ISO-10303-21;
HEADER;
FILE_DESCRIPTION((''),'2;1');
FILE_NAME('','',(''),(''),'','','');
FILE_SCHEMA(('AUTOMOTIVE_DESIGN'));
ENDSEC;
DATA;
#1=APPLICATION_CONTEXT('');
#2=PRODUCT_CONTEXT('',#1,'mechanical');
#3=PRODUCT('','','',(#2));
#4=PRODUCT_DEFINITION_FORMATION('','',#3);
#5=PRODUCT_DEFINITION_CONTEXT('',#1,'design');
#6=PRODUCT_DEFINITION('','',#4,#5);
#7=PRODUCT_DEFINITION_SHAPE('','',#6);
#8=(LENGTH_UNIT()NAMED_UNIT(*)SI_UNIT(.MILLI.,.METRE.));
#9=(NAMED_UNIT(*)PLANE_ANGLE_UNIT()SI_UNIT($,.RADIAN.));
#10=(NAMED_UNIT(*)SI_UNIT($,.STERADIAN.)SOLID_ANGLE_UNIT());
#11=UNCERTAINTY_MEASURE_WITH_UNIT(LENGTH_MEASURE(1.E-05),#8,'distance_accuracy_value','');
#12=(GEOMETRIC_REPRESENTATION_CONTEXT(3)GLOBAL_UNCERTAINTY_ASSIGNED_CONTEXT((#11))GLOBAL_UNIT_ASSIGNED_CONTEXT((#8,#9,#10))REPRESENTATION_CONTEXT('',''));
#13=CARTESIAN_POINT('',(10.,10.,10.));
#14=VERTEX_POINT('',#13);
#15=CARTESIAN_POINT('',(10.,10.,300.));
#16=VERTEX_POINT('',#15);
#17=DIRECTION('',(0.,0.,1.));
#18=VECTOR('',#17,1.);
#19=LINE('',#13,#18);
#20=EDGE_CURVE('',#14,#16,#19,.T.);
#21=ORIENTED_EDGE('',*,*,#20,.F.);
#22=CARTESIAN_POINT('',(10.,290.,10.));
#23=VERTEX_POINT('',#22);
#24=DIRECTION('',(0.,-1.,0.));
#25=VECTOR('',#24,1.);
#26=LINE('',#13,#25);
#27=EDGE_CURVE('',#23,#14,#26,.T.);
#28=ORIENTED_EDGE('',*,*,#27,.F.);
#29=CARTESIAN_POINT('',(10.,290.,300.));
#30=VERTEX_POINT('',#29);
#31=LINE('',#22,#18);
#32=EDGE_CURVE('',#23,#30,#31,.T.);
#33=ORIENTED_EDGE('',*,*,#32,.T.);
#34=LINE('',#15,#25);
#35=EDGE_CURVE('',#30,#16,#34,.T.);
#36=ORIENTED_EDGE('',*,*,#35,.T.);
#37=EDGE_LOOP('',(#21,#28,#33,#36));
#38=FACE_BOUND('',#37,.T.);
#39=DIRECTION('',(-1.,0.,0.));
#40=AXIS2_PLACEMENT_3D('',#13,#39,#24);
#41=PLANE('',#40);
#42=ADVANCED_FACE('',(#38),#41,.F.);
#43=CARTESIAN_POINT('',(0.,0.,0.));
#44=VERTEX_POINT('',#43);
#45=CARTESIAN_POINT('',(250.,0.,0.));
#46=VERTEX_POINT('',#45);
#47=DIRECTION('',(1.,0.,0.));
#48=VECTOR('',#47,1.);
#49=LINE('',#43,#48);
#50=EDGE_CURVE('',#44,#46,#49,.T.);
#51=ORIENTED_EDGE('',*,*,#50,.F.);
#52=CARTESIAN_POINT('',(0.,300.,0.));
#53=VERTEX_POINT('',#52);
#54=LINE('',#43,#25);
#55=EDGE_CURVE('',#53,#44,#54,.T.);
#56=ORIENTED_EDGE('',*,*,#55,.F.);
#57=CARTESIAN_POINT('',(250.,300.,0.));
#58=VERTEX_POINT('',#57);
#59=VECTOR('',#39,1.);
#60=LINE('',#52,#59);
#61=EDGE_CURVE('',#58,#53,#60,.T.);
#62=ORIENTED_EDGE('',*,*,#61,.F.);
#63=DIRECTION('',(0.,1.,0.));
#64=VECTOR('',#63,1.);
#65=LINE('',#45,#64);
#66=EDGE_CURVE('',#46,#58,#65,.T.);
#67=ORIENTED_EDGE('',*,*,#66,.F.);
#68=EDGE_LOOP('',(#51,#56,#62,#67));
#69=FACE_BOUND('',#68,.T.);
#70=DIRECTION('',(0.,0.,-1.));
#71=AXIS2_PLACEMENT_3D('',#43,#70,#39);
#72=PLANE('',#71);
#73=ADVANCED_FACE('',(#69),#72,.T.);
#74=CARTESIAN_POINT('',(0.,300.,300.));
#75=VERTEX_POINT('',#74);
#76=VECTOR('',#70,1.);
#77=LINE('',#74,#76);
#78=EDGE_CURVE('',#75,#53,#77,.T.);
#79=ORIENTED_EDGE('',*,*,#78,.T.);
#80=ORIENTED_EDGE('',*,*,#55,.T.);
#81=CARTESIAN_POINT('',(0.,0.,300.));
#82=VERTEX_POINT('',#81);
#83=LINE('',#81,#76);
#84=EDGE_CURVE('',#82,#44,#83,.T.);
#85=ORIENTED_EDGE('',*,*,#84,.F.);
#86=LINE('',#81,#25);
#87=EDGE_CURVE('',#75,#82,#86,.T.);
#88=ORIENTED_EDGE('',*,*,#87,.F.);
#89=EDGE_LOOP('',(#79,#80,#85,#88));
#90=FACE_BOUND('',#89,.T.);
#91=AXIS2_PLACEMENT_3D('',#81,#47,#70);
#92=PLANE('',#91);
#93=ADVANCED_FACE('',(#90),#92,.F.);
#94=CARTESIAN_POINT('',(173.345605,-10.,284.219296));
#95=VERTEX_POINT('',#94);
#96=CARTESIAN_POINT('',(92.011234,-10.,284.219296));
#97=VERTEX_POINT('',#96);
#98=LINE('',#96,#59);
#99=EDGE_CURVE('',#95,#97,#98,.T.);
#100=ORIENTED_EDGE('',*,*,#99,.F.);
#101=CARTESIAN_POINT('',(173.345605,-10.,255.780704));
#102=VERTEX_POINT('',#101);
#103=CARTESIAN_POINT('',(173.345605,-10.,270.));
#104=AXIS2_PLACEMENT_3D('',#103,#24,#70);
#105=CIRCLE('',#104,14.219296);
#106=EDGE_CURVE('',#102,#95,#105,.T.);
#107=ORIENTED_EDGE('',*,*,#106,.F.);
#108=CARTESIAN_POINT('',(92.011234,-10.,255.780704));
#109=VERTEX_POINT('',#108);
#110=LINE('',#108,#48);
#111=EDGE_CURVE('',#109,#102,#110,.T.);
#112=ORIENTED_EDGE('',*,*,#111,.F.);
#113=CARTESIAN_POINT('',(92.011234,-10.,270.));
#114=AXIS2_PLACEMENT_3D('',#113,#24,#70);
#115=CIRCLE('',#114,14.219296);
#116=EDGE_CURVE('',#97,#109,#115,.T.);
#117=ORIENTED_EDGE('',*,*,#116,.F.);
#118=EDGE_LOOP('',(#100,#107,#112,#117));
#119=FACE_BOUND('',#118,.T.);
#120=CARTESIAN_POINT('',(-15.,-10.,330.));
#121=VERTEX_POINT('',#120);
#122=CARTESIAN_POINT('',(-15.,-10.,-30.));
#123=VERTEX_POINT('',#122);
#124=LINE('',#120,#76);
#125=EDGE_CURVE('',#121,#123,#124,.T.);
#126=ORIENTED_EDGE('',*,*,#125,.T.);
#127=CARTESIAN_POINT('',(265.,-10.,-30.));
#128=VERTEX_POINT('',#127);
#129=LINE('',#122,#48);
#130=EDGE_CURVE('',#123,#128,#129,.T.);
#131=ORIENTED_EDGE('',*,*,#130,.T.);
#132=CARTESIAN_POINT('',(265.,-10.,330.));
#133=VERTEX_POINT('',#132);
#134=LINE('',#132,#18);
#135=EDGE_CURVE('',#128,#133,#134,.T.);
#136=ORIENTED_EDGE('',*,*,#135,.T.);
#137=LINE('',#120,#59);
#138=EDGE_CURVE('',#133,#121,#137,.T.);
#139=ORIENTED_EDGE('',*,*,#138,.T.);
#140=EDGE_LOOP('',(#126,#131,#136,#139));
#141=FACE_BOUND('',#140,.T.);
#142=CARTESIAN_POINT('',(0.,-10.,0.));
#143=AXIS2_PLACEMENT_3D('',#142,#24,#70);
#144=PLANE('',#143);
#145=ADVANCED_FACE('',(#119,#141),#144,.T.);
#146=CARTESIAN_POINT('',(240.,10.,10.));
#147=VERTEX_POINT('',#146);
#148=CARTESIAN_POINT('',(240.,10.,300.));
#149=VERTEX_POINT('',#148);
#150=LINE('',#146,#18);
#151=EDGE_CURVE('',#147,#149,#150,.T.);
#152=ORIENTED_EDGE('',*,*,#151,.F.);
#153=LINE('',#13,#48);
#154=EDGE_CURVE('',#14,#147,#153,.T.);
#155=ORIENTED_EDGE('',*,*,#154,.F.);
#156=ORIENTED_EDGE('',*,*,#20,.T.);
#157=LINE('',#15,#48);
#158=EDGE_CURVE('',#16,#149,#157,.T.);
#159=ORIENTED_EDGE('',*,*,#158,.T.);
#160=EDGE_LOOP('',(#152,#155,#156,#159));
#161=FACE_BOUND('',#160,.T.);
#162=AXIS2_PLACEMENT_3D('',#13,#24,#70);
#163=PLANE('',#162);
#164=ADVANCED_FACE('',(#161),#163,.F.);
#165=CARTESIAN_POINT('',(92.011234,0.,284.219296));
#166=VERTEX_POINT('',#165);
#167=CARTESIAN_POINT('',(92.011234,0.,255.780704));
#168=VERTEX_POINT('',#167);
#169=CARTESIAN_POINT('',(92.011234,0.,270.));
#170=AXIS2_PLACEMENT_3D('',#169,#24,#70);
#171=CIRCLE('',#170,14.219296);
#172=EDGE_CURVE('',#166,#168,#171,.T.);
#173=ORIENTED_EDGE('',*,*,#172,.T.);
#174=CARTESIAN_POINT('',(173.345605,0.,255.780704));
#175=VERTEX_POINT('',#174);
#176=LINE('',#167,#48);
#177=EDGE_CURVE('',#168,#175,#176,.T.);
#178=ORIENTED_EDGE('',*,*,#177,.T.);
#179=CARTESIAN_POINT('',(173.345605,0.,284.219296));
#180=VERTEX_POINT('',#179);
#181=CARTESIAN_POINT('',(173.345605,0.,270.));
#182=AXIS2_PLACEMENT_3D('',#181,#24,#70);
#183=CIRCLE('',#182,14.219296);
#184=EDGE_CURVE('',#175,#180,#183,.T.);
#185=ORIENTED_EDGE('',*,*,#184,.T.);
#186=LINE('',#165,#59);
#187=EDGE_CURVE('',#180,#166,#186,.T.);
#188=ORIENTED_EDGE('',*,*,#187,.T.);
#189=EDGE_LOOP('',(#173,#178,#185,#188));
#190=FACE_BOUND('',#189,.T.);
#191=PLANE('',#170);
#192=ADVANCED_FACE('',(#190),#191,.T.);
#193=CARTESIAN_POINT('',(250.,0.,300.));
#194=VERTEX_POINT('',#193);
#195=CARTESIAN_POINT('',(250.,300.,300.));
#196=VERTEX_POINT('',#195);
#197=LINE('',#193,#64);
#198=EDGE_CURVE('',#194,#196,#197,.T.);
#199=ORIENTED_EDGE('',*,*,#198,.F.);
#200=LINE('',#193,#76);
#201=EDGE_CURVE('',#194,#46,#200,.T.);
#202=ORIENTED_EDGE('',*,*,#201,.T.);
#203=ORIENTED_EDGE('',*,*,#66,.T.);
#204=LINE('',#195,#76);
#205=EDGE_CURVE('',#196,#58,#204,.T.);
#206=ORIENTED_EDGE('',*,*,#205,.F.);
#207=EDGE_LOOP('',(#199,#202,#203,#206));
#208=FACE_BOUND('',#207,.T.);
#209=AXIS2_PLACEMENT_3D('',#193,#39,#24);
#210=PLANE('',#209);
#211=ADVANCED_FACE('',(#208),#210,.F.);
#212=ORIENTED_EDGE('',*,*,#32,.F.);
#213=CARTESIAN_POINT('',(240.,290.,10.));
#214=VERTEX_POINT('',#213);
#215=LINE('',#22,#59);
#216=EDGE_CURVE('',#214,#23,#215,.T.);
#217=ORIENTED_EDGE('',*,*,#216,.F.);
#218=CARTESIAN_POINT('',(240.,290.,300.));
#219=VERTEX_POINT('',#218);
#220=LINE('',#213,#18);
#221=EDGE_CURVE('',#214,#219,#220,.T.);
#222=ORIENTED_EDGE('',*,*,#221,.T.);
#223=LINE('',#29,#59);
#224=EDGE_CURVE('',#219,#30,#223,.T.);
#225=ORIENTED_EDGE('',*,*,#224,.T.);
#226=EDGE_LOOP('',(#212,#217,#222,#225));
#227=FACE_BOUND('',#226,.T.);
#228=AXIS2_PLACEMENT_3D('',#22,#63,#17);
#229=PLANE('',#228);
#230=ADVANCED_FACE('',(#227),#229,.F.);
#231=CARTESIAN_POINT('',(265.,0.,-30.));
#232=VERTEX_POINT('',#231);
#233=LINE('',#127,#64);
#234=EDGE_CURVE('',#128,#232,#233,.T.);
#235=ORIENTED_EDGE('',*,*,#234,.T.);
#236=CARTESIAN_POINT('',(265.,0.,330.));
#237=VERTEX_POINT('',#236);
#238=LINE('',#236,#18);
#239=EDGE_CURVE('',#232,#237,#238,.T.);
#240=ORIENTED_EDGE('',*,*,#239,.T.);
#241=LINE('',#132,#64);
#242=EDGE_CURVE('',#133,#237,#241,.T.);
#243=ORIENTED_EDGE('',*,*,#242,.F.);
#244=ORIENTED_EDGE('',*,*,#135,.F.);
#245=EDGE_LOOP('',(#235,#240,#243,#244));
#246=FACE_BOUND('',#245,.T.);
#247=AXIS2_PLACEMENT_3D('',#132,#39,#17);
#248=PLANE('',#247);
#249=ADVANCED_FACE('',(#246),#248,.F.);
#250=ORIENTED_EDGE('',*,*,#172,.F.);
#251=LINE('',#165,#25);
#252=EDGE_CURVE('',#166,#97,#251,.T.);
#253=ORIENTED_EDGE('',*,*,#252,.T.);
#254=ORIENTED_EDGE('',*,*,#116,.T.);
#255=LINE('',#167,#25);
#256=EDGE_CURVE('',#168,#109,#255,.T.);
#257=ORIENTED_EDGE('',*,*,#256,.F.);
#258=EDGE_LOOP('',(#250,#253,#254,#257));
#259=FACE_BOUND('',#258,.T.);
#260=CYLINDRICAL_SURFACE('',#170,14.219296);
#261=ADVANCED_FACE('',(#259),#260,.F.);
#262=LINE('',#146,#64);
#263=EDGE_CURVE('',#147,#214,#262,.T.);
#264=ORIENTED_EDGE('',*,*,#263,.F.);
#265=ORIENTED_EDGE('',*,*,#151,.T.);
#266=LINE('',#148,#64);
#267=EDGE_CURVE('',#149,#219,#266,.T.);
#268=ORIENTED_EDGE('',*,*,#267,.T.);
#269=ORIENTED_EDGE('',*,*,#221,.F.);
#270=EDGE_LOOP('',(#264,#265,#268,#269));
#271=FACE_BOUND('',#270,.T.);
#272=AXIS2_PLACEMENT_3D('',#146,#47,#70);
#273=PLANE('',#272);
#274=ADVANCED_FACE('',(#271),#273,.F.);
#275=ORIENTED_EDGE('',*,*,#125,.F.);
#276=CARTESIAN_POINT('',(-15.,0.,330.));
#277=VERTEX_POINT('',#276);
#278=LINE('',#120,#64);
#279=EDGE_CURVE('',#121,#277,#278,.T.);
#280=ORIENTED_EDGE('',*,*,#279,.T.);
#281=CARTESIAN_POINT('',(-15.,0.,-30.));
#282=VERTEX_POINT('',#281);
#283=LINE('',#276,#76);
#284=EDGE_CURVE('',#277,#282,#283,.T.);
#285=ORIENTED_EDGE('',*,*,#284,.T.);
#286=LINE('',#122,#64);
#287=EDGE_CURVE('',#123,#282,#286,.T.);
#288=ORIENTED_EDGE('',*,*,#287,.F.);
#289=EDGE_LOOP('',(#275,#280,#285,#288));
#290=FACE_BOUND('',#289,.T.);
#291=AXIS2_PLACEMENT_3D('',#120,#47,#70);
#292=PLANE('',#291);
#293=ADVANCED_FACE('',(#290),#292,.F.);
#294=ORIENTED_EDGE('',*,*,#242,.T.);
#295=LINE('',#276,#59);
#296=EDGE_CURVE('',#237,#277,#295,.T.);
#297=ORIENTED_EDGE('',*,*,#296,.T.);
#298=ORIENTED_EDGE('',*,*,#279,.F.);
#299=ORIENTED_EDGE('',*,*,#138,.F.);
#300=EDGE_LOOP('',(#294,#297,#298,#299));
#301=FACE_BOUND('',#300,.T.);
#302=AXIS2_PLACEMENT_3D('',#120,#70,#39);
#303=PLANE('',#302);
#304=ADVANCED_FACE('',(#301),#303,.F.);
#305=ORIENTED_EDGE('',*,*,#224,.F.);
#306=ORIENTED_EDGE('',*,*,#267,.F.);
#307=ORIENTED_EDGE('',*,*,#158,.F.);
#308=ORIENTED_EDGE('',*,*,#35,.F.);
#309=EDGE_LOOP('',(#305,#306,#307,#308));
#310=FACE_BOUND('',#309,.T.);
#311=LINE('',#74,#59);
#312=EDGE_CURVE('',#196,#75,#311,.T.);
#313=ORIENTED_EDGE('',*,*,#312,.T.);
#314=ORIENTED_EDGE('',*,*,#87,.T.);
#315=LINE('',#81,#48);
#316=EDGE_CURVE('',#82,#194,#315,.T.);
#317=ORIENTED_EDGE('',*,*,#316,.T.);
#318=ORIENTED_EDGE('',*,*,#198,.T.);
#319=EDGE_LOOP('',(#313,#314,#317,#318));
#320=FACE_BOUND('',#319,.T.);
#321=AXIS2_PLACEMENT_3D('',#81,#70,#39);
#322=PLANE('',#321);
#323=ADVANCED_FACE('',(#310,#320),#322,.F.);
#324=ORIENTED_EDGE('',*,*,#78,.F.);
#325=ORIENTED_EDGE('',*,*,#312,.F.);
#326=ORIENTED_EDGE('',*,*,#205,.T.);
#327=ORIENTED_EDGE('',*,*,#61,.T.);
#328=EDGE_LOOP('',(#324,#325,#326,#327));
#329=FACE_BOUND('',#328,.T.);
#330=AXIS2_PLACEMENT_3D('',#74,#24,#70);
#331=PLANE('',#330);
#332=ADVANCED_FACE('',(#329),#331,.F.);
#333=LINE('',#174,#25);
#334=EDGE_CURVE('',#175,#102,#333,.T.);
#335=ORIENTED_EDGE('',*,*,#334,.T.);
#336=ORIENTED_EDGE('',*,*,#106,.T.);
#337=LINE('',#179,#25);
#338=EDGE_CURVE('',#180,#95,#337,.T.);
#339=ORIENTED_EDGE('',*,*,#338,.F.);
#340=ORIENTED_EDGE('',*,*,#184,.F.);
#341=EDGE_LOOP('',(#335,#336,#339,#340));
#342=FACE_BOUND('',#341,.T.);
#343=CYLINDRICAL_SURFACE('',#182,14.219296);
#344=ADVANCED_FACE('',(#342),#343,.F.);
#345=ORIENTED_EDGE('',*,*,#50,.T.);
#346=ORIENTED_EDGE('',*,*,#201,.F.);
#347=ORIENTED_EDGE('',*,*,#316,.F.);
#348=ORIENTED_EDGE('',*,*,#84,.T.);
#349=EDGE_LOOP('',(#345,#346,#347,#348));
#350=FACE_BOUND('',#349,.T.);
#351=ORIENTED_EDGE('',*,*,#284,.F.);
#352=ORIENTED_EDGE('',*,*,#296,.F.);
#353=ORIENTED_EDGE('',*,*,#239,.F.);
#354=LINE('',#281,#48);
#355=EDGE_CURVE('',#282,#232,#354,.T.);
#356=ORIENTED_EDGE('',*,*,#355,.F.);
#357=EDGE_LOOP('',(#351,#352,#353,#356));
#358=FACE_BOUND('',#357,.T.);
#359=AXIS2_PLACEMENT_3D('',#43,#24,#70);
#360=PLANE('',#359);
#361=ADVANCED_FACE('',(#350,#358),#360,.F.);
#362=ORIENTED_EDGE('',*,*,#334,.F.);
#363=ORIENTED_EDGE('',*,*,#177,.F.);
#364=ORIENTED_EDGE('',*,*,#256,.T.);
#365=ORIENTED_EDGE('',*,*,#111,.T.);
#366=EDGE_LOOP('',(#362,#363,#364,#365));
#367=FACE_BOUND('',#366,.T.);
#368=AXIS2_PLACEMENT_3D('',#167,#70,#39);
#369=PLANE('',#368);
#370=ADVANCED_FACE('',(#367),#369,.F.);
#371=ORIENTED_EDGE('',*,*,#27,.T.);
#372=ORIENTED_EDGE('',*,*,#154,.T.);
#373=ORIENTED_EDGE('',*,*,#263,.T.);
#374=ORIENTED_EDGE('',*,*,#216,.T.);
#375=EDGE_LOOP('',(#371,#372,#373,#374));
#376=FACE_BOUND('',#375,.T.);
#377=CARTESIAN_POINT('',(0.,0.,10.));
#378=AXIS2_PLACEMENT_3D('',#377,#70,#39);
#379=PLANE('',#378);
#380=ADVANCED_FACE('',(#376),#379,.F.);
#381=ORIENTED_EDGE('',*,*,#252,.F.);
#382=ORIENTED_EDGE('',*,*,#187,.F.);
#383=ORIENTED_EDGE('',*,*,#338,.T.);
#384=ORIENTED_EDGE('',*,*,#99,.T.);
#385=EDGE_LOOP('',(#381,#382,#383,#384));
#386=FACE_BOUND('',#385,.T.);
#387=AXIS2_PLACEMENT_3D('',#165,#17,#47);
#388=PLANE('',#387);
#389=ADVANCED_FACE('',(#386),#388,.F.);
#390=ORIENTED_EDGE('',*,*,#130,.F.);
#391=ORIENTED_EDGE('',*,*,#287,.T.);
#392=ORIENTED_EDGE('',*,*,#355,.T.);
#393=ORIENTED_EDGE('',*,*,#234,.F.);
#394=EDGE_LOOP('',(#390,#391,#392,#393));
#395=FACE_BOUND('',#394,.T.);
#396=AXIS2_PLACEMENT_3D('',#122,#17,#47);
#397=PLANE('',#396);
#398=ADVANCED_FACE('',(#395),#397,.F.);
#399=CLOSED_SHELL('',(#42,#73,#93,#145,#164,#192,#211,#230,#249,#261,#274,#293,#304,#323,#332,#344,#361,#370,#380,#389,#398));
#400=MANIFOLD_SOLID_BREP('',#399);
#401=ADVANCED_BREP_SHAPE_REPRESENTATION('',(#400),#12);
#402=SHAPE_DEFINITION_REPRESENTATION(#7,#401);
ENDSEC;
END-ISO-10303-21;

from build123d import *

# Parameters (mm, degrees)
SKETCH_1_W          = 250
SKETCH_1_H          = 300
EXTRUDE_1_DEPTH     = 300
SKETCH_2_W          = 230
SKETCH_2_H          = 280
CUT_EXTRUDE_1_DEPTH = 290
SKETCH_3_W          = 280
SKETCH_3_H          = 360
EXTRUDE_2_DEPTH     = 10
CUT_EXTRUDE_2_DEPTH = 10


with BuildPart() as part:
    # 草图1 → 凸台-拉伸1 (new body)
    with BuildSketch(Plane.XY):
        with Locations((125, 150)):
            Rectangle(SKETCH_1_W, SKETCH_1_H)
    extrude(amount=EXTRUDE_1_DEPTH)

    # 草图2 → 切除-拉伸1 (cut)
    with BuildSketch(Plane.XY.offset(300)):
        with Locations((125, 150)):
            Rectangle(SKETCH_2_W, SKETCH_2_H)
    extrude(amount=-CUT_EXTRUDE_1_DEPTH, mode=Mode.SUBTRACT)

    # 草图3 → 凸台-拉伸2 (add)
    with BuildSketch(Plane.XZ):
        with Locations((125, 150)):
            Rectangle(SKETCH_3_W, SKETCH_3_H)
    extrude(amount=EXTRUDE_2_DEPTH)

    # 草图4 → 切除-拉伸2 (cut)
    with BuildSketch(Plane.XZ.offset(10)):
        with BuildLine():
            Line((92.011234141, 284.219295629), (173.345605139, 284.219295629))
            ThreePointArc((173.345605139, 284.219295629), (187.564900768, 270), (173.345605139, 255.780704371))
            Line((173.345605139, 255.780704371), (92.011234141, 255.780704371))
            ThreePointArc((92.011234141, 255.780704371), (77.791938512, 270), (92.011234141, 284.219295629))
        make_face()
    extrude(amount=-CUT_EXTRUDE_2_DEPTH, mode=Mode.SUBTRACT)


solid = part.part
